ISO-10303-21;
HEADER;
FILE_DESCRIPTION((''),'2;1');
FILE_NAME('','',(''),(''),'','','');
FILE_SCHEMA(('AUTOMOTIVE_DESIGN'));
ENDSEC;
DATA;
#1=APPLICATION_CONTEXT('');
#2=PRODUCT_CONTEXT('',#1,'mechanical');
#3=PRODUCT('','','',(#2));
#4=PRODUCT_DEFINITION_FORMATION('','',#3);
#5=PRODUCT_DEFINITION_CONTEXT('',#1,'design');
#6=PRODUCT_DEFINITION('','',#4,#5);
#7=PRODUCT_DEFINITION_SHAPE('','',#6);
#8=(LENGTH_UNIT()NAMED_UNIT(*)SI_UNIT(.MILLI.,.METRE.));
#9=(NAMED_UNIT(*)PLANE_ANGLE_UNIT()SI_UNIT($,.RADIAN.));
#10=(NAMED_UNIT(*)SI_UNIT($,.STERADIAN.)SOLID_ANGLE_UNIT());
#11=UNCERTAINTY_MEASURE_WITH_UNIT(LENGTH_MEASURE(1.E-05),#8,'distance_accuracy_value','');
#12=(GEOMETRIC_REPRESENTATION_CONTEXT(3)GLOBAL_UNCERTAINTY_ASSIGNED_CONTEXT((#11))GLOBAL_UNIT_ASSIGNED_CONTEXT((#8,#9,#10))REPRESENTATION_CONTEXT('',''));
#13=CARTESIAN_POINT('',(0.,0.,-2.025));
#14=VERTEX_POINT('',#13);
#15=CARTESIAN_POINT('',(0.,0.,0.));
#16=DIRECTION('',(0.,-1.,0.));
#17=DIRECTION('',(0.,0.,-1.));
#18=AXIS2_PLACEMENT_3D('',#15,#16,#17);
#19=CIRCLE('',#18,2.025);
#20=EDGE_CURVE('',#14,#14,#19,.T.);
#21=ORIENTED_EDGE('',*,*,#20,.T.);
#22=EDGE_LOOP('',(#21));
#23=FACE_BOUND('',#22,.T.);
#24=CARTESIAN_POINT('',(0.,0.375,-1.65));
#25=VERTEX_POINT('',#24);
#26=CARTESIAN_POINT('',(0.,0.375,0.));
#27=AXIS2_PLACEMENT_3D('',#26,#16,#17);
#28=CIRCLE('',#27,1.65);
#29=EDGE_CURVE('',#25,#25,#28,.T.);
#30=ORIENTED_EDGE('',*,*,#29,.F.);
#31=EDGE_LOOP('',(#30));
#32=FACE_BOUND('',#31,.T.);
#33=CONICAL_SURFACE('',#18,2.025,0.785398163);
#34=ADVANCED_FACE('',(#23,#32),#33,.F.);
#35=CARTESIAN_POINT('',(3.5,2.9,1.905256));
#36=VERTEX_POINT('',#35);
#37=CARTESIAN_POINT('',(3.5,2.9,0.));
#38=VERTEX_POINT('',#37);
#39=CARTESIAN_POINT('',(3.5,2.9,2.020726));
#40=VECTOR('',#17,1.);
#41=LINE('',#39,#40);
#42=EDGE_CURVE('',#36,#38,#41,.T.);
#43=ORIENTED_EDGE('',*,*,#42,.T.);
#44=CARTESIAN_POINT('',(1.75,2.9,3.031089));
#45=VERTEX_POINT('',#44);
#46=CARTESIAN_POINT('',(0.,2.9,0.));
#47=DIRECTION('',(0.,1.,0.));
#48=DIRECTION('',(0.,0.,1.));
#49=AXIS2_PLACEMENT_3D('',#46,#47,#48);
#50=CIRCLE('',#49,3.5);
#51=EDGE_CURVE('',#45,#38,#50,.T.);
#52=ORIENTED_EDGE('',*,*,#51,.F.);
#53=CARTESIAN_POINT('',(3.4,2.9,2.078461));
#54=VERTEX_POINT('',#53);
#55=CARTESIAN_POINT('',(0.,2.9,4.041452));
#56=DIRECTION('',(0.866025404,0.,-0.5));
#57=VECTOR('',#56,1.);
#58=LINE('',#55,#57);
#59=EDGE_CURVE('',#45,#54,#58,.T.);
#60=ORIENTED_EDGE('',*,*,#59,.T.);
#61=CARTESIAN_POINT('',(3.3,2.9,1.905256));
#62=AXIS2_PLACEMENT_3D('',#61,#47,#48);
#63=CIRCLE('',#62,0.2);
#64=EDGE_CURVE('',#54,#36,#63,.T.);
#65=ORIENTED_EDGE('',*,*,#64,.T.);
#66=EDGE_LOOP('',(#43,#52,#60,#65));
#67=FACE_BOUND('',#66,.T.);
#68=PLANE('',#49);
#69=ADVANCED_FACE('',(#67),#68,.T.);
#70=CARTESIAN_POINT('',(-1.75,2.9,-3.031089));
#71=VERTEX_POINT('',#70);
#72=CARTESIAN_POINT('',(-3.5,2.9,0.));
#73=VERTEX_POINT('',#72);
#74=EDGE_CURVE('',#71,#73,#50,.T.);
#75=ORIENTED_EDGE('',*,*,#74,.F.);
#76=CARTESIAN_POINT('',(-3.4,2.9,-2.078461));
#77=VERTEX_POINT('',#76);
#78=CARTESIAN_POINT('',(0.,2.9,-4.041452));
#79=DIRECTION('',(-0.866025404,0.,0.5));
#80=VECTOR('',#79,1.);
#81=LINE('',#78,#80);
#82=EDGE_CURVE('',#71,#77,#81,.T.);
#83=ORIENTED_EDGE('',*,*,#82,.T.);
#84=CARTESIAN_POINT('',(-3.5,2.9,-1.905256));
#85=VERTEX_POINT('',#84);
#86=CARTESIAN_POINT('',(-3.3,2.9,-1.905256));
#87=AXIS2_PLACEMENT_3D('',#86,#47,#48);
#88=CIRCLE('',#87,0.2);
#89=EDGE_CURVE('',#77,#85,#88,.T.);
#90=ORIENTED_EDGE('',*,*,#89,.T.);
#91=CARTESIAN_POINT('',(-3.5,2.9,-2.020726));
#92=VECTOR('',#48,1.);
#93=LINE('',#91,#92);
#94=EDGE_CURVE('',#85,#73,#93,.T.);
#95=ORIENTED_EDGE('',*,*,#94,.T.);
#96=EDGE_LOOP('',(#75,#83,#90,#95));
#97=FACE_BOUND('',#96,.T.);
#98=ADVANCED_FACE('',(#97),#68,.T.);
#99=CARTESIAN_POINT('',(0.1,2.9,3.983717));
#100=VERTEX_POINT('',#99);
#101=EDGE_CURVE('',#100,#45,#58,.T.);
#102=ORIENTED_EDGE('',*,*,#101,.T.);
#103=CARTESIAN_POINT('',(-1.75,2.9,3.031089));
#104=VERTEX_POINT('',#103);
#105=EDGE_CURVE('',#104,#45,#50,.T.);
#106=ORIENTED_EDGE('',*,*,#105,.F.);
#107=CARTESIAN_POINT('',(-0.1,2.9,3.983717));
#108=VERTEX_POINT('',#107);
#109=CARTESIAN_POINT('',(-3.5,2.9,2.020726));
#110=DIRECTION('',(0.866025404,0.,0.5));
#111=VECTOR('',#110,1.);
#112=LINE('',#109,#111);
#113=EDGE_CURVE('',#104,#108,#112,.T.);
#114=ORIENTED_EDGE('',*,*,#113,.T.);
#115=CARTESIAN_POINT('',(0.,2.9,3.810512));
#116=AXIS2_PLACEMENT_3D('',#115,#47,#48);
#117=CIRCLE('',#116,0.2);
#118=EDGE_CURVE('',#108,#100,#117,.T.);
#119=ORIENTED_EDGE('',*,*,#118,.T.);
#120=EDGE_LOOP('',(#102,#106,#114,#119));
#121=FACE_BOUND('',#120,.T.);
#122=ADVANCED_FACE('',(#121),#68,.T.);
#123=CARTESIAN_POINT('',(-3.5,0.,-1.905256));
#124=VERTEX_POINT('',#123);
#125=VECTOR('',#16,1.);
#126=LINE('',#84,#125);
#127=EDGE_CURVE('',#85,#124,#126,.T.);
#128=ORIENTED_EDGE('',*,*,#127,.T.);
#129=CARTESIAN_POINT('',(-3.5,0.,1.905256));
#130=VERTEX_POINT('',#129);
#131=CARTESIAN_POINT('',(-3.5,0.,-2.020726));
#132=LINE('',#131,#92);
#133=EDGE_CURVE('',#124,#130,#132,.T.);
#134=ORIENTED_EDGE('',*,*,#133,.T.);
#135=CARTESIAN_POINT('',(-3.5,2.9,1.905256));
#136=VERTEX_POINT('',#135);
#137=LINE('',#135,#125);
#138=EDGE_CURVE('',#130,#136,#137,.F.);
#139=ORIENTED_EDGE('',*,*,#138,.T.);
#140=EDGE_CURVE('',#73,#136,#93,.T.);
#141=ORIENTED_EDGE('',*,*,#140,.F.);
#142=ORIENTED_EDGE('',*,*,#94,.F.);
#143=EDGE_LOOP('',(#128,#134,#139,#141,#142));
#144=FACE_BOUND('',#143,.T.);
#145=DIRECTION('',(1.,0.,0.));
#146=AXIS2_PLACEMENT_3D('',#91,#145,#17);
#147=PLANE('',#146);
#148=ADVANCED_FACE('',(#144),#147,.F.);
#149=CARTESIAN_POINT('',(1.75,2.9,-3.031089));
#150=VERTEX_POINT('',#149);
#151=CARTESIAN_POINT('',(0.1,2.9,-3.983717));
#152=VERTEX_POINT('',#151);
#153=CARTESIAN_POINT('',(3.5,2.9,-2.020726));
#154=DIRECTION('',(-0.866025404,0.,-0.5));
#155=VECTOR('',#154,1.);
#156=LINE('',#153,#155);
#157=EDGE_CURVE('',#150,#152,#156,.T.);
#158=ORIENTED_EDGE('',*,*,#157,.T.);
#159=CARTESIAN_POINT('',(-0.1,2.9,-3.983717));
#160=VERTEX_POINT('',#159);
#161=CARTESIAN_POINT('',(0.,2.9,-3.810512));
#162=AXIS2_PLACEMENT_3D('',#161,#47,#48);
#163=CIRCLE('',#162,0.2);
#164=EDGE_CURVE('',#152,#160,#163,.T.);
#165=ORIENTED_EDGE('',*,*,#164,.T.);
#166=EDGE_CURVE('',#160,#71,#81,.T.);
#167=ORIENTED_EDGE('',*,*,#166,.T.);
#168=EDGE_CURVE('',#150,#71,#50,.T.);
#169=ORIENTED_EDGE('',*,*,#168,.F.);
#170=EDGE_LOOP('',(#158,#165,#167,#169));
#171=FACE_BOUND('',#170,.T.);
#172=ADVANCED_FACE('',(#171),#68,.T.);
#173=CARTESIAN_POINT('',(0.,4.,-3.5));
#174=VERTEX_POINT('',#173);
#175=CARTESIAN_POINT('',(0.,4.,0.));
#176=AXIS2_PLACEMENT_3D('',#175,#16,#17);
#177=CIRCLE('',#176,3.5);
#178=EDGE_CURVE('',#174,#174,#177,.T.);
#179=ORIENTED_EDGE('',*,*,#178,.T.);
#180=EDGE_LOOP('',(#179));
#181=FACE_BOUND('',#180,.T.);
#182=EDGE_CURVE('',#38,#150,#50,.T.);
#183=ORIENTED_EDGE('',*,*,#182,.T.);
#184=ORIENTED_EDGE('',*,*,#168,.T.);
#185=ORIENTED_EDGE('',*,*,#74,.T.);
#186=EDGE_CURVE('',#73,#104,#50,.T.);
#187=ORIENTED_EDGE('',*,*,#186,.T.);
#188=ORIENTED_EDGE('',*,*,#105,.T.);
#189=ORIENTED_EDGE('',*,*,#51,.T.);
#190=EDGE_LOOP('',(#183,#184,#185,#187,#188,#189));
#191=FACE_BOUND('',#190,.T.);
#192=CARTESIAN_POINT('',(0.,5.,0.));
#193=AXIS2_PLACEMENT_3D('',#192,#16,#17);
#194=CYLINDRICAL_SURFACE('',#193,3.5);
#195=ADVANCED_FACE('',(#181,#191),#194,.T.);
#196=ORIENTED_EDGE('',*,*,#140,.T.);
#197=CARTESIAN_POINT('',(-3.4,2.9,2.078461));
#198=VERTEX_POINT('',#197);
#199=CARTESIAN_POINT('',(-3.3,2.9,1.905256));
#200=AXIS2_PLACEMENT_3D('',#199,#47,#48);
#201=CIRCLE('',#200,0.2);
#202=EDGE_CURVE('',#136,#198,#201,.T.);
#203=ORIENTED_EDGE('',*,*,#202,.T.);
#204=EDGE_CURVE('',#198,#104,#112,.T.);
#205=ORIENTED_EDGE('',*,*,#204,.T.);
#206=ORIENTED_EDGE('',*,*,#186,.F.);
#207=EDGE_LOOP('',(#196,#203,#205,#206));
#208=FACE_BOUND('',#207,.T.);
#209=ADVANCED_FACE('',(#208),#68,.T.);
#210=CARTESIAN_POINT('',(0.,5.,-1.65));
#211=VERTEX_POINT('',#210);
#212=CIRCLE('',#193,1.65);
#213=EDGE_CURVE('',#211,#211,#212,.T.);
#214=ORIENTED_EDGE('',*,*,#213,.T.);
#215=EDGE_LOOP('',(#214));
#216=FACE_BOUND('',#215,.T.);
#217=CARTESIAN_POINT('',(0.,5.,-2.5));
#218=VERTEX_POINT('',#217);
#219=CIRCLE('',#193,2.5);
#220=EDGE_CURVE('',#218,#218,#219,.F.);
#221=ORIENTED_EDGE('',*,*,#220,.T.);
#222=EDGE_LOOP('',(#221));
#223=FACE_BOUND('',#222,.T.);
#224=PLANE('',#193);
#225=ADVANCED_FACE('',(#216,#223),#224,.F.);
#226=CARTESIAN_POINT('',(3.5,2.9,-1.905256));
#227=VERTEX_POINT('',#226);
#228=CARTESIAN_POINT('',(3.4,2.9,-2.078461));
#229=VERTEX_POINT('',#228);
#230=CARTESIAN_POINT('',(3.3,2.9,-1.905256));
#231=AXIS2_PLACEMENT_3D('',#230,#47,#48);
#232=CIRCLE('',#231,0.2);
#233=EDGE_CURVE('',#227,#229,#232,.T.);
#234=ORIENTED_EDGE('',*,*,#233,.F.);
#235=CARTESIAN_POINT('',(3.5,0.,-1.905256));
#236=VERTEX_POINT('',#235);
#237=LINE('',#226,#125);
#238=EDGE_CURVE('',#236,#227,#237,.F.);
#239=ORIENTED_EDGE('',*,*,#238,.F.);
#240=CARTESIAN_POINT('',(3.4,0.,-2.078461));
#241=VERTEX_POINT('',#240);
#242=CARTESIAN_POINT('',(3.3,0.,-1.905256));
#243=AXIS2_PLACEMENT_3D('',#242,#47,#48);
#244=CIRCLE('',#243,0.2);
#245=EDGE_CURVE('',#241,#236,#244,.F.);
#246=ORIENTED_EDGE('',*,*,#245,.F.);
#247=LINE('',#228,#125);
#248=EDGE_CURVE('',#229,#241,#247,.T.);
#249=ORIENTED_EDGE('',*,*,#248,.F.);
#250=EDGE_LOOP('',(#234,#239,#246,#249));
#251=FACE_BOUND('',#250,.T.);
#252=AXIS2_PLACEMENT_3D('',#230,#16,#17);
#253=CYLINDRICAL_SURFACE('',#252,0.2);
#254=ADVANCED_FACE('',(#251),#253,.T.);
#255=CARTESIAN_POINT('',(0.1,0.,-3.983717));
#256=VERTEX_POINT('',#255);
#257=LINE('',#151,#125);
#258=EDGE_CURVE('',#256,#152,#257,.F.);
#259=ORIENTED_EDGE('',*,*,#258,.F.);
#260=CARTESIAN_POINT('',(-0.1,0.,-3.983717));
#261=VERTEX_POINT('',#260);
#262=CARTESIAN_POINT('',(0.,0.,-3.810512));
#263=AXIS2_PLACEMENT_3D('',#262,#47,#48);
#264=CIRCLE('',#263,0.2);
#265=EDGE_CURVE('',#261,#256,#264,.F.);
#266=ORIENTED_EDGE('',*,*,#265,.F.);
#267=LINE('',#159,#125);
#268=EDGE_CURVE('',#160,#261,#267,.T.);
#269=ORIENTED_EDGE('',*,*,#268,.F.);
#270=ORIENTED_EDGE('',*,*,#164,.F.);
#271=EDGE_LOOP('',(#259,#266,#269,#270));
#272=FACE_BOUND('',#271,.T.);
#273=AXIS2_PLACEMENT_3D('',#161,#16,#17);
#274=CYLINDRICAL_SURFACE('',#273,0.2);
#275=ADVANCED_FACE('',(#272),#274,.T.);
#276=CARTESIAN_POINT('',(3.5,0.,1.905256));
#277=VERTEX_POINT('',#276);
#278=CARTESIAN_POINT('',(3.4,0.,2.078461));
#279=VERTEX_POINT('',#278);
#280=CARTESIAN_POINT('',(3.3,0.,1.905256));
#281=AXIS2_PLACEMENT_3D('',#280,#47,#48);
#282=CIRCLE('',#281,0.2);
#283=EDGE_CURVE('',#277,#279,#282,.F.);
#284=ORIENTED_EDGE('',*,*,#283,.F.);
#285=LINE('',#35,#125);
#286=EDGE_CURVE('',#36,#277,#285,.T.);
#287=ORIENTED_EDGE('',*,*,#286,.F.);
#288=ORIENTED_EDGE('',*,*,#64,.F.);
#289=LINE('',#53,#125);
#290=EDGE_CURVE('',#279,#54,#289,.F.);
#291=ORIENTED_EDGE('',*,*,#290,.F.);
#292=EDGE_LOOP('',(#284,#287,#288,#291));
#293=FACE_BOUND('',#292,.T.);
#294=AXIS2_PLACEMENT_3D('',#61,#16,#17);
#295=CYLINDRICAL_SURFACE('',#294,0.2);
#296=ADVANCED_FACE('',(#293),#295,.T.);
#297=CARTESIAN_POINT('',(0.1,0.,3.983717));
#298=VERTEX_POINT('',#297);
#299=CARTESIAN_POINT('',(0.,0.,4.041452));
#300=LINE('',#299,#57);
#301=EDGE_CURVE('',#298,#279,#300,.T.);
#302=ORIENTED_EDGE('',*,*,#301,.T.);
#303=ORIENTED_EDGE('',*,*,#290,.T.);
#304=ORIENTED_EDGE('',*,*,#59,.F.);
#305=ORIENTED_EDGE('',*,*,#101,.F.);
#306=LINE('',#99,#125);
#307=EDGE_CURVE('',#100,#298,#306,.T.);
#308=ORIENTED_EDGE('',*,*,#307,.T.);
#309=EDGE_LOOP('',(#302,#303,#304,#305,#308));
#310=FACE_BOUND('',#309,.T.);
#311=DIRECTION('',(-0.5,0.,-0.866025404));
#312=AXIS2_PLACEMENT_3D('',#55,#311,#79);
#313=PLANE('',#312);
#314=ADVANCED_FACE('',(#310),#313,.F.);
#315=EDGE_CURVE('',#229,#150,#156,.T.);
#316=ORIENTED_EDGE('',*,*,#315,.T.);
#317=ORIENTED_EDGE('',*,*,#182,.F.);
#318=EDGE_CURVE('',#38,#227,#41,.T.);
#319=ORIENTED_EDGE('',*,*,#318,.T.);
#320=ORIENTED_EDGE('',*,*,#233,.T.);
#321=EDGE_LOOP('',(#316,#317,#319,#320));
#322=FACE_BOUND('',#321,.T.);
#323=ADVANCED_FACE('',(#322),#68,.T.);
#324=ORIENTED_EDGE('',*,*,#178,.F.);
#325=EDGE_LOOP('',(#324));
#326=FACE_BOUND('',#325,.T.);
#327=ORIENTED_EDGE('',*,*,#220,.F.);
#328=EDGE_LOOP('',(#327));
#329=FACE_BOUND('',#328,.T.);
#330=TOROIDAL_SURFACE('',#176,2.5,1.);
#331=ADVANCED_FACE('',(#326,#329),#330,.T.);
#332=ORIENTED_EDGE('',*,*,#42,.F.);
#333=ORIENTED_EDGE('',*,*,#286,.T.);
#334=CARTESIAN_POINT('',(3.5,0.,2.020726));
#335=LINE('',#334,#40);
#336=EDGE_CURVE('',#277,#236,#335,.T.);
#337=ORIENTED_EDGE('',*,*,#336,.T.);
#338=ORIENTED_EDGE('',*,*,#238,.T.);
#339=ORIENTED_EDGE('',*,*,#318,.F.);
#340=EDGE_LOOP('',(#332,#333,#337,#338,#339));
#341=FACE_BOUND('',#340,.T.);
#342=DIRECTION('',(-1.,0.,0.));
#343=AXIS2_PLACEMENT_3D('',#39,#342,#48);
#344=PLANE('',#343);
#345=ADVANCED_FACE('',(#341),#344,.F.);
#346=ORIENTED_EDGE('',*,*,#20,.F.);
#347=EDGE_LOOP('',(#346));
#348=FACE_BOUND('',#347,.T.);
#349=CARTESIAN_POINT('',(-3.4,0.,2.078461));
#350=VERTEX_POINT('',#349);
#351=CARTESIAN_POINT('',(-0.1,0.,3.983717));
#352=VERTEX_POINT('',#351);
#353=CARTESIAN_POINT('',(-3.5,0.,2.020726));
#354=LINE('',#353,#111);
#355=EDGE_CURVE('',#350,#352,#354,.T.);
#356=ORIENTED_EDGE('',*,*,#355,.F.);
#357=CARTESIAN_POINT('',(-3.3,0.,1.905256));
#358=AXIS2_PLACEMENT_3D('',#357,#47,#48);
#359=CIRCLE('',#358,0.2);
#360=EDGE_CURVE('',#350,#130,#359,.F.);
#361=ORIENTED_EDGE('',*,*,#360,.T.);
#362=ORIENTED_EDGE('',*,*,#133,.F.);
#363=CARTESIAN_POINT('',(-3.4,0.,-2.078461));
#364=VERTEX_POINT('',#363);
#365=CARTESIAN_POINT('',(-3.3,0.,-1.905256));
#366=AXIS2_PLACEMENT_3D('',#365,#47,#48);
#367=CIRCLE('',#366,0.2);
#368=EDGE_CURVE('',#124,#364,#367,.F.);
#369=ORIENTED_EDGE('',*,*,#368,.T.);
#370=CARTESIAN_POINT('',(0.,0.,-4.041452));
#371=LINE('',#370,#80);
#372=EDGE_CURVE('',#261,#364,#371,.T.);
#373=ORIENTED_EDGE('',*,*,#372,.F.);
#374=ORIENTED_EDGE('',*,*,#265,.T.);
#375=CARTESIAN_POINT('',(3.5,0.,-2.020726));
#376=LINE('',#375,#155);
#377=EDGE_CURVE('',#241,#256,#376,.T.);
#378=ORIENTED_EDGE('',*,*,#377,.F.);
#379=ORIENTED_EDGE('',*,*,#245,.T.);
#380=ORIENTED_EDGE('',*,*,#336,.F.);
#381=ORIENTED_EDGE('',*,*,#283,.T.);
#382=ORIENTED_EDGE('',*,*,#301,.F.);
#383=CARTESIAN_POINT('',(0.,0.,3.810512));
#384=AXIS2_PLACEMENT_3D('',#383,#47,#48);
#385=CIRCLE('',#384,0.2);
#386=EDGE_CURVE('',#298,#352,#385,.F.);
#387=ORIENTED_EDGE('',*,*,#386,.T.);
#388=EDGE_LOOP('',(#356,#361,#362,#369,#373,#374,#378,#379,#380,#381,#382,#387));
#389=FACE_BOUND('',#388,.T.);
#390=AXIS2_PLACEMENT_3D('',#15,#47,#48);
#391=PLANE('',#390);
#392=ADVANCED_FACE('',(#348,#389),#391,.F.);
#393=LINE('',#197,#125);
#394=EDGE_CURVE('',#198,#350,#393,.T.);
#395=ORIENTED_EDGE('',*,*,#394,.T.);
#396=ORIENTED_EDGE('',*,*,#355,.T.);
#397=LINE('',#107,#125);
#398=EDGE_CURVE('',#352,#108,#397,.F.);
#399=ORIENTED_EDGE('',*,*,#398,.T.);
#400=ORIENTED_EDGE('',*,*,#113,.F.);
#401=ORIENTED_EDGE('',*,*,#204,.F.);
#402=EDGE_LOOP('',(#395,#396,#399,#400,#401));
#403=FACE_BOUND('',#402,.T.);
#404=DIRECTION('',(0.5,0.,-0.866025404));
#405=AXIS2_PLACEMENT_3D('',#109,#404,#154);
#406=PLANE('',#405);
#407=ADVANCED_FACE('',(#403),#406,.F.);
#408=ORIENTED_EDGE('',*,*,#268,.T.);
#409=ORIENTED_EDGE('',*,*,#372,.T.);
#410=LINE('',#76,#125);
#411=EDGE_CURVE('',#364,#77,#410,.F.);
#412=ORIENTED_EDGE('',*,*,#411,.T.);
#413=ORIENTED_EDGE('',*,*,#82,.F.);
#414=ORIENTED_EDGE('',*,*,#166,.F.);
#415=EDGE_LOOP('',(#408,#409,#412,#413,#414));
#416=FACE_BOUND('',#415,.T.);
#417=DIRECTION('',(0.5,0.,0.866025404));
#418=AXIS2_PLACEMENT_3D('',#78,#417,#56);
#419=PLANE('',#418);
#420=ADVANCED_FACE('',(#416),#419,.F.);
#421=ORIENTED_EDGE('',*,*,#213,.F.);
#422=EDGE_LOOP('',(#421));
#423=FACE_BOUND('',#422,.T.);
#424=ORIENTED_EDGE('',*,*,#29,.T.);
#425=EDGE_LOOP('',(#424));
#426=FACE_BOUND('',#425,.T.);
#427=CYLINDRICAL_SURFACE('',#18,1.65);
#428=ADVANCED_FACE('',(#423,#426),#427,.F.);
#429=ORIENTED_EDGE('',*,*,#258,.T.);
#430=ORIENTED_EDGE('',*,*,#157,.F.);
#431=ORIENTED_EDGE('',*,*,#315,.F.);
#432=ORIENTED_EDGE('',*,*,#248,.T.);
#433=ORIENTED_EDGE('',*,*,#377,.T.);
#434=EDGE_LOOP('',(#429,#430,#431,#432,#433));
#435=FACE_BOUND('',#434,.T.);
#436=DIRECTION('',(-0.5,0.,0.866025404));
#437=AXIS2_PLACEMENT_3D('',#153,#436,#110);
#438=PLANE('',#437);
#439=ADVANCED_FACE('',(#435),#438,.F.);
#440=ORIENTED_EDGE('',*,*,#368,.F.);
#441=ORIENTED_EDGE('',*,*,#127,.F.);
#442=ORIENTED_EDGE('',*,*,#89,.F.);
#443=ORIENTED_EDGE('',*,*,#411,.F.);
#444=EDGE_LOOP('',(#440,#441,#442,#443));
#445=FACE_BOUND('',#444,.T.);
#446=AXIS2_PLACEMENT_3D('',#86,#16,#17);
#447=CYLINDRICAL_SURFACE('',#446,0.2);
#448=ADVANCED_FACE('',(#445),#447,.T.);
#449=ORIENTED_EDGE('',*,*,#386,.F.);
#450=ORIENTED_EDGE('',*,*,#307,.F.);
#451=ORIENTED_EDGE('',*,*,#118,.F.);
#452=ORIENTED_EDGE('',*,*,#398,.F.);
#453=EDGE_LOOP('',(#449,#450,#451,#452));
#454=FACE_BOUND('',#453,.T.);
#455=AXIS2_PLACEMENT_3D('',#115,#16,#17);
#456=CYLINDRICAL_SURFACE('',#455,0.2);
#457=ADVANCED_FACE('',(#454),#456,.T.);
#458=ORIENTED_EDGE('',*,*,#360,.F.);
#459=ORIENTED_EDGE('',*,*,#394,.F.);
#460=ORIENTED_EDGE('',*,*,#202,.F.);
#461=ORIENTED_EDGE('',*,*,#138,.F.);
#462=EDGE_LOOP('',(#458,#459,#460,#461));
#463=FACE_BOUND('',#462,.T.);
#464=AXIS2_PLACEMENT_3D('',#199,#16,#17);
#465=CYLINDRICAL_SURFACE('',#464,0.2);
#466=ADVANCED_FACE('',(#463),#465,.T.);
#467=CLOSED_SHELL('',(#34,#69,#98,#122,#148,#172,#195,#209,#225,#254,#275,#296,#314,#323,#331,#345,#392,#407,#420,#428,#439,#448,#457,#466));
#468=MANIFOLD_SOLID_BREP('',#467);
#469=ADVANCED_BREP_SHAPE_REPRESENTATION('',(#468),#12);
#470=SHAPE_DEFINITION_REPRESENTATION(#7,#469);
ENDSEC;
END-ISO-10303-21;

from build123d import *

# Parameters (mm, degrees)
EXTRUDE_1_DEPTH              = 2.9
SKETCH_2_R                   = 3.5
EXTRUDE_2_DEPTH              = 5
FILLET_1_R                   = 1
FILLET_2_R                   = 0.2
HOLE_WIZARD_M4_1_D           = 3.3
HOLE_WIZARD_M4_1_DEPTH       = 10.1
HOLE_WIZARD_M4_1_CSINK_D     = 4.05
HOLE_WIZARD_M4_1_CSINK_ANGLE = 90
HOLE_WIZARD_M4_1_TIP         = 0.991420021


with BuildPart() as part:
    # 草图1 → 凸台-拉伸1 (new body)
    with BuildSketch(Plane(origin=(0, 0, 0), x_dir=(1, 0, 0), z_dir=(0, 1, 0))):
        Polygon((3.5, -2.020725942), (3.5, 2.020725942), (0, 4.041451884), (-3.5, 2.020725942), (-3.5, -2.020725942), (0, -4.041451884), align=None)
    extrude(amount=EXTRUDE_1_DEPTH)

    # 草图2 → 凸台-拉伸2 (add)
    with BuildSketch(Plane.XZ):
        Circle(SKETCH_2_R)
    extrude(amount=-EXTRUDE_2_DEPTH)

    # 圆角1
    fillet_1_edges = [part.edges().sort_by_distance(p)[0] for p in [
        (-3.5, 5, 0),
    ]]
    fillet(fillet_1_edges, radius=FILLET_1_R)

    # 圆角2
    fillet_2_edges = [part.edges().sort_by_distance(p)[0] for p in [
        (0, 1.45, 4.041451884),
        (-3.5, 1.45, 2.020725942),
        (-3.5, 1.45, -2.020725942),
        (0, 1.45, -4.041451884),
        (3.5, 1.45, -2.020725942),
        (3.5, 1.45, 2.020725942),
    ]]
    fillet(fillet_2_edges, radius=FILLET_2_R)

    # M4 螺纹孔1
    with Locations(Plane(origin=(0, 0, 0), x_dir=(-1, 0, 0), z_dir=(0, -1, 0))):
        with Locations((0, 0)):
            CounterSinkHole(HOLE_WIZARD_M4_1_D / 2, HOLE_WIZARD_M4_1_CSINK_D / 2, depth=HOLE_WIZARD_M4_1_DEPTH, counter_sink_angle=HOLE_WIZARD_M4_1_CSINK_ANGLE)
            with Locations((0, 0, -(HOLE_WIZARD_M4_1_DEPTH + HOLE_WIZARD_M4_1_TIP / 2))):  # 118° drill point
                Cone(0, HOLE_WIZARD_M4_1_D / 2, HOLE_WIZARD_M4_1_TIP, mode=Mode.SUBTRACT)


solid = part.part
